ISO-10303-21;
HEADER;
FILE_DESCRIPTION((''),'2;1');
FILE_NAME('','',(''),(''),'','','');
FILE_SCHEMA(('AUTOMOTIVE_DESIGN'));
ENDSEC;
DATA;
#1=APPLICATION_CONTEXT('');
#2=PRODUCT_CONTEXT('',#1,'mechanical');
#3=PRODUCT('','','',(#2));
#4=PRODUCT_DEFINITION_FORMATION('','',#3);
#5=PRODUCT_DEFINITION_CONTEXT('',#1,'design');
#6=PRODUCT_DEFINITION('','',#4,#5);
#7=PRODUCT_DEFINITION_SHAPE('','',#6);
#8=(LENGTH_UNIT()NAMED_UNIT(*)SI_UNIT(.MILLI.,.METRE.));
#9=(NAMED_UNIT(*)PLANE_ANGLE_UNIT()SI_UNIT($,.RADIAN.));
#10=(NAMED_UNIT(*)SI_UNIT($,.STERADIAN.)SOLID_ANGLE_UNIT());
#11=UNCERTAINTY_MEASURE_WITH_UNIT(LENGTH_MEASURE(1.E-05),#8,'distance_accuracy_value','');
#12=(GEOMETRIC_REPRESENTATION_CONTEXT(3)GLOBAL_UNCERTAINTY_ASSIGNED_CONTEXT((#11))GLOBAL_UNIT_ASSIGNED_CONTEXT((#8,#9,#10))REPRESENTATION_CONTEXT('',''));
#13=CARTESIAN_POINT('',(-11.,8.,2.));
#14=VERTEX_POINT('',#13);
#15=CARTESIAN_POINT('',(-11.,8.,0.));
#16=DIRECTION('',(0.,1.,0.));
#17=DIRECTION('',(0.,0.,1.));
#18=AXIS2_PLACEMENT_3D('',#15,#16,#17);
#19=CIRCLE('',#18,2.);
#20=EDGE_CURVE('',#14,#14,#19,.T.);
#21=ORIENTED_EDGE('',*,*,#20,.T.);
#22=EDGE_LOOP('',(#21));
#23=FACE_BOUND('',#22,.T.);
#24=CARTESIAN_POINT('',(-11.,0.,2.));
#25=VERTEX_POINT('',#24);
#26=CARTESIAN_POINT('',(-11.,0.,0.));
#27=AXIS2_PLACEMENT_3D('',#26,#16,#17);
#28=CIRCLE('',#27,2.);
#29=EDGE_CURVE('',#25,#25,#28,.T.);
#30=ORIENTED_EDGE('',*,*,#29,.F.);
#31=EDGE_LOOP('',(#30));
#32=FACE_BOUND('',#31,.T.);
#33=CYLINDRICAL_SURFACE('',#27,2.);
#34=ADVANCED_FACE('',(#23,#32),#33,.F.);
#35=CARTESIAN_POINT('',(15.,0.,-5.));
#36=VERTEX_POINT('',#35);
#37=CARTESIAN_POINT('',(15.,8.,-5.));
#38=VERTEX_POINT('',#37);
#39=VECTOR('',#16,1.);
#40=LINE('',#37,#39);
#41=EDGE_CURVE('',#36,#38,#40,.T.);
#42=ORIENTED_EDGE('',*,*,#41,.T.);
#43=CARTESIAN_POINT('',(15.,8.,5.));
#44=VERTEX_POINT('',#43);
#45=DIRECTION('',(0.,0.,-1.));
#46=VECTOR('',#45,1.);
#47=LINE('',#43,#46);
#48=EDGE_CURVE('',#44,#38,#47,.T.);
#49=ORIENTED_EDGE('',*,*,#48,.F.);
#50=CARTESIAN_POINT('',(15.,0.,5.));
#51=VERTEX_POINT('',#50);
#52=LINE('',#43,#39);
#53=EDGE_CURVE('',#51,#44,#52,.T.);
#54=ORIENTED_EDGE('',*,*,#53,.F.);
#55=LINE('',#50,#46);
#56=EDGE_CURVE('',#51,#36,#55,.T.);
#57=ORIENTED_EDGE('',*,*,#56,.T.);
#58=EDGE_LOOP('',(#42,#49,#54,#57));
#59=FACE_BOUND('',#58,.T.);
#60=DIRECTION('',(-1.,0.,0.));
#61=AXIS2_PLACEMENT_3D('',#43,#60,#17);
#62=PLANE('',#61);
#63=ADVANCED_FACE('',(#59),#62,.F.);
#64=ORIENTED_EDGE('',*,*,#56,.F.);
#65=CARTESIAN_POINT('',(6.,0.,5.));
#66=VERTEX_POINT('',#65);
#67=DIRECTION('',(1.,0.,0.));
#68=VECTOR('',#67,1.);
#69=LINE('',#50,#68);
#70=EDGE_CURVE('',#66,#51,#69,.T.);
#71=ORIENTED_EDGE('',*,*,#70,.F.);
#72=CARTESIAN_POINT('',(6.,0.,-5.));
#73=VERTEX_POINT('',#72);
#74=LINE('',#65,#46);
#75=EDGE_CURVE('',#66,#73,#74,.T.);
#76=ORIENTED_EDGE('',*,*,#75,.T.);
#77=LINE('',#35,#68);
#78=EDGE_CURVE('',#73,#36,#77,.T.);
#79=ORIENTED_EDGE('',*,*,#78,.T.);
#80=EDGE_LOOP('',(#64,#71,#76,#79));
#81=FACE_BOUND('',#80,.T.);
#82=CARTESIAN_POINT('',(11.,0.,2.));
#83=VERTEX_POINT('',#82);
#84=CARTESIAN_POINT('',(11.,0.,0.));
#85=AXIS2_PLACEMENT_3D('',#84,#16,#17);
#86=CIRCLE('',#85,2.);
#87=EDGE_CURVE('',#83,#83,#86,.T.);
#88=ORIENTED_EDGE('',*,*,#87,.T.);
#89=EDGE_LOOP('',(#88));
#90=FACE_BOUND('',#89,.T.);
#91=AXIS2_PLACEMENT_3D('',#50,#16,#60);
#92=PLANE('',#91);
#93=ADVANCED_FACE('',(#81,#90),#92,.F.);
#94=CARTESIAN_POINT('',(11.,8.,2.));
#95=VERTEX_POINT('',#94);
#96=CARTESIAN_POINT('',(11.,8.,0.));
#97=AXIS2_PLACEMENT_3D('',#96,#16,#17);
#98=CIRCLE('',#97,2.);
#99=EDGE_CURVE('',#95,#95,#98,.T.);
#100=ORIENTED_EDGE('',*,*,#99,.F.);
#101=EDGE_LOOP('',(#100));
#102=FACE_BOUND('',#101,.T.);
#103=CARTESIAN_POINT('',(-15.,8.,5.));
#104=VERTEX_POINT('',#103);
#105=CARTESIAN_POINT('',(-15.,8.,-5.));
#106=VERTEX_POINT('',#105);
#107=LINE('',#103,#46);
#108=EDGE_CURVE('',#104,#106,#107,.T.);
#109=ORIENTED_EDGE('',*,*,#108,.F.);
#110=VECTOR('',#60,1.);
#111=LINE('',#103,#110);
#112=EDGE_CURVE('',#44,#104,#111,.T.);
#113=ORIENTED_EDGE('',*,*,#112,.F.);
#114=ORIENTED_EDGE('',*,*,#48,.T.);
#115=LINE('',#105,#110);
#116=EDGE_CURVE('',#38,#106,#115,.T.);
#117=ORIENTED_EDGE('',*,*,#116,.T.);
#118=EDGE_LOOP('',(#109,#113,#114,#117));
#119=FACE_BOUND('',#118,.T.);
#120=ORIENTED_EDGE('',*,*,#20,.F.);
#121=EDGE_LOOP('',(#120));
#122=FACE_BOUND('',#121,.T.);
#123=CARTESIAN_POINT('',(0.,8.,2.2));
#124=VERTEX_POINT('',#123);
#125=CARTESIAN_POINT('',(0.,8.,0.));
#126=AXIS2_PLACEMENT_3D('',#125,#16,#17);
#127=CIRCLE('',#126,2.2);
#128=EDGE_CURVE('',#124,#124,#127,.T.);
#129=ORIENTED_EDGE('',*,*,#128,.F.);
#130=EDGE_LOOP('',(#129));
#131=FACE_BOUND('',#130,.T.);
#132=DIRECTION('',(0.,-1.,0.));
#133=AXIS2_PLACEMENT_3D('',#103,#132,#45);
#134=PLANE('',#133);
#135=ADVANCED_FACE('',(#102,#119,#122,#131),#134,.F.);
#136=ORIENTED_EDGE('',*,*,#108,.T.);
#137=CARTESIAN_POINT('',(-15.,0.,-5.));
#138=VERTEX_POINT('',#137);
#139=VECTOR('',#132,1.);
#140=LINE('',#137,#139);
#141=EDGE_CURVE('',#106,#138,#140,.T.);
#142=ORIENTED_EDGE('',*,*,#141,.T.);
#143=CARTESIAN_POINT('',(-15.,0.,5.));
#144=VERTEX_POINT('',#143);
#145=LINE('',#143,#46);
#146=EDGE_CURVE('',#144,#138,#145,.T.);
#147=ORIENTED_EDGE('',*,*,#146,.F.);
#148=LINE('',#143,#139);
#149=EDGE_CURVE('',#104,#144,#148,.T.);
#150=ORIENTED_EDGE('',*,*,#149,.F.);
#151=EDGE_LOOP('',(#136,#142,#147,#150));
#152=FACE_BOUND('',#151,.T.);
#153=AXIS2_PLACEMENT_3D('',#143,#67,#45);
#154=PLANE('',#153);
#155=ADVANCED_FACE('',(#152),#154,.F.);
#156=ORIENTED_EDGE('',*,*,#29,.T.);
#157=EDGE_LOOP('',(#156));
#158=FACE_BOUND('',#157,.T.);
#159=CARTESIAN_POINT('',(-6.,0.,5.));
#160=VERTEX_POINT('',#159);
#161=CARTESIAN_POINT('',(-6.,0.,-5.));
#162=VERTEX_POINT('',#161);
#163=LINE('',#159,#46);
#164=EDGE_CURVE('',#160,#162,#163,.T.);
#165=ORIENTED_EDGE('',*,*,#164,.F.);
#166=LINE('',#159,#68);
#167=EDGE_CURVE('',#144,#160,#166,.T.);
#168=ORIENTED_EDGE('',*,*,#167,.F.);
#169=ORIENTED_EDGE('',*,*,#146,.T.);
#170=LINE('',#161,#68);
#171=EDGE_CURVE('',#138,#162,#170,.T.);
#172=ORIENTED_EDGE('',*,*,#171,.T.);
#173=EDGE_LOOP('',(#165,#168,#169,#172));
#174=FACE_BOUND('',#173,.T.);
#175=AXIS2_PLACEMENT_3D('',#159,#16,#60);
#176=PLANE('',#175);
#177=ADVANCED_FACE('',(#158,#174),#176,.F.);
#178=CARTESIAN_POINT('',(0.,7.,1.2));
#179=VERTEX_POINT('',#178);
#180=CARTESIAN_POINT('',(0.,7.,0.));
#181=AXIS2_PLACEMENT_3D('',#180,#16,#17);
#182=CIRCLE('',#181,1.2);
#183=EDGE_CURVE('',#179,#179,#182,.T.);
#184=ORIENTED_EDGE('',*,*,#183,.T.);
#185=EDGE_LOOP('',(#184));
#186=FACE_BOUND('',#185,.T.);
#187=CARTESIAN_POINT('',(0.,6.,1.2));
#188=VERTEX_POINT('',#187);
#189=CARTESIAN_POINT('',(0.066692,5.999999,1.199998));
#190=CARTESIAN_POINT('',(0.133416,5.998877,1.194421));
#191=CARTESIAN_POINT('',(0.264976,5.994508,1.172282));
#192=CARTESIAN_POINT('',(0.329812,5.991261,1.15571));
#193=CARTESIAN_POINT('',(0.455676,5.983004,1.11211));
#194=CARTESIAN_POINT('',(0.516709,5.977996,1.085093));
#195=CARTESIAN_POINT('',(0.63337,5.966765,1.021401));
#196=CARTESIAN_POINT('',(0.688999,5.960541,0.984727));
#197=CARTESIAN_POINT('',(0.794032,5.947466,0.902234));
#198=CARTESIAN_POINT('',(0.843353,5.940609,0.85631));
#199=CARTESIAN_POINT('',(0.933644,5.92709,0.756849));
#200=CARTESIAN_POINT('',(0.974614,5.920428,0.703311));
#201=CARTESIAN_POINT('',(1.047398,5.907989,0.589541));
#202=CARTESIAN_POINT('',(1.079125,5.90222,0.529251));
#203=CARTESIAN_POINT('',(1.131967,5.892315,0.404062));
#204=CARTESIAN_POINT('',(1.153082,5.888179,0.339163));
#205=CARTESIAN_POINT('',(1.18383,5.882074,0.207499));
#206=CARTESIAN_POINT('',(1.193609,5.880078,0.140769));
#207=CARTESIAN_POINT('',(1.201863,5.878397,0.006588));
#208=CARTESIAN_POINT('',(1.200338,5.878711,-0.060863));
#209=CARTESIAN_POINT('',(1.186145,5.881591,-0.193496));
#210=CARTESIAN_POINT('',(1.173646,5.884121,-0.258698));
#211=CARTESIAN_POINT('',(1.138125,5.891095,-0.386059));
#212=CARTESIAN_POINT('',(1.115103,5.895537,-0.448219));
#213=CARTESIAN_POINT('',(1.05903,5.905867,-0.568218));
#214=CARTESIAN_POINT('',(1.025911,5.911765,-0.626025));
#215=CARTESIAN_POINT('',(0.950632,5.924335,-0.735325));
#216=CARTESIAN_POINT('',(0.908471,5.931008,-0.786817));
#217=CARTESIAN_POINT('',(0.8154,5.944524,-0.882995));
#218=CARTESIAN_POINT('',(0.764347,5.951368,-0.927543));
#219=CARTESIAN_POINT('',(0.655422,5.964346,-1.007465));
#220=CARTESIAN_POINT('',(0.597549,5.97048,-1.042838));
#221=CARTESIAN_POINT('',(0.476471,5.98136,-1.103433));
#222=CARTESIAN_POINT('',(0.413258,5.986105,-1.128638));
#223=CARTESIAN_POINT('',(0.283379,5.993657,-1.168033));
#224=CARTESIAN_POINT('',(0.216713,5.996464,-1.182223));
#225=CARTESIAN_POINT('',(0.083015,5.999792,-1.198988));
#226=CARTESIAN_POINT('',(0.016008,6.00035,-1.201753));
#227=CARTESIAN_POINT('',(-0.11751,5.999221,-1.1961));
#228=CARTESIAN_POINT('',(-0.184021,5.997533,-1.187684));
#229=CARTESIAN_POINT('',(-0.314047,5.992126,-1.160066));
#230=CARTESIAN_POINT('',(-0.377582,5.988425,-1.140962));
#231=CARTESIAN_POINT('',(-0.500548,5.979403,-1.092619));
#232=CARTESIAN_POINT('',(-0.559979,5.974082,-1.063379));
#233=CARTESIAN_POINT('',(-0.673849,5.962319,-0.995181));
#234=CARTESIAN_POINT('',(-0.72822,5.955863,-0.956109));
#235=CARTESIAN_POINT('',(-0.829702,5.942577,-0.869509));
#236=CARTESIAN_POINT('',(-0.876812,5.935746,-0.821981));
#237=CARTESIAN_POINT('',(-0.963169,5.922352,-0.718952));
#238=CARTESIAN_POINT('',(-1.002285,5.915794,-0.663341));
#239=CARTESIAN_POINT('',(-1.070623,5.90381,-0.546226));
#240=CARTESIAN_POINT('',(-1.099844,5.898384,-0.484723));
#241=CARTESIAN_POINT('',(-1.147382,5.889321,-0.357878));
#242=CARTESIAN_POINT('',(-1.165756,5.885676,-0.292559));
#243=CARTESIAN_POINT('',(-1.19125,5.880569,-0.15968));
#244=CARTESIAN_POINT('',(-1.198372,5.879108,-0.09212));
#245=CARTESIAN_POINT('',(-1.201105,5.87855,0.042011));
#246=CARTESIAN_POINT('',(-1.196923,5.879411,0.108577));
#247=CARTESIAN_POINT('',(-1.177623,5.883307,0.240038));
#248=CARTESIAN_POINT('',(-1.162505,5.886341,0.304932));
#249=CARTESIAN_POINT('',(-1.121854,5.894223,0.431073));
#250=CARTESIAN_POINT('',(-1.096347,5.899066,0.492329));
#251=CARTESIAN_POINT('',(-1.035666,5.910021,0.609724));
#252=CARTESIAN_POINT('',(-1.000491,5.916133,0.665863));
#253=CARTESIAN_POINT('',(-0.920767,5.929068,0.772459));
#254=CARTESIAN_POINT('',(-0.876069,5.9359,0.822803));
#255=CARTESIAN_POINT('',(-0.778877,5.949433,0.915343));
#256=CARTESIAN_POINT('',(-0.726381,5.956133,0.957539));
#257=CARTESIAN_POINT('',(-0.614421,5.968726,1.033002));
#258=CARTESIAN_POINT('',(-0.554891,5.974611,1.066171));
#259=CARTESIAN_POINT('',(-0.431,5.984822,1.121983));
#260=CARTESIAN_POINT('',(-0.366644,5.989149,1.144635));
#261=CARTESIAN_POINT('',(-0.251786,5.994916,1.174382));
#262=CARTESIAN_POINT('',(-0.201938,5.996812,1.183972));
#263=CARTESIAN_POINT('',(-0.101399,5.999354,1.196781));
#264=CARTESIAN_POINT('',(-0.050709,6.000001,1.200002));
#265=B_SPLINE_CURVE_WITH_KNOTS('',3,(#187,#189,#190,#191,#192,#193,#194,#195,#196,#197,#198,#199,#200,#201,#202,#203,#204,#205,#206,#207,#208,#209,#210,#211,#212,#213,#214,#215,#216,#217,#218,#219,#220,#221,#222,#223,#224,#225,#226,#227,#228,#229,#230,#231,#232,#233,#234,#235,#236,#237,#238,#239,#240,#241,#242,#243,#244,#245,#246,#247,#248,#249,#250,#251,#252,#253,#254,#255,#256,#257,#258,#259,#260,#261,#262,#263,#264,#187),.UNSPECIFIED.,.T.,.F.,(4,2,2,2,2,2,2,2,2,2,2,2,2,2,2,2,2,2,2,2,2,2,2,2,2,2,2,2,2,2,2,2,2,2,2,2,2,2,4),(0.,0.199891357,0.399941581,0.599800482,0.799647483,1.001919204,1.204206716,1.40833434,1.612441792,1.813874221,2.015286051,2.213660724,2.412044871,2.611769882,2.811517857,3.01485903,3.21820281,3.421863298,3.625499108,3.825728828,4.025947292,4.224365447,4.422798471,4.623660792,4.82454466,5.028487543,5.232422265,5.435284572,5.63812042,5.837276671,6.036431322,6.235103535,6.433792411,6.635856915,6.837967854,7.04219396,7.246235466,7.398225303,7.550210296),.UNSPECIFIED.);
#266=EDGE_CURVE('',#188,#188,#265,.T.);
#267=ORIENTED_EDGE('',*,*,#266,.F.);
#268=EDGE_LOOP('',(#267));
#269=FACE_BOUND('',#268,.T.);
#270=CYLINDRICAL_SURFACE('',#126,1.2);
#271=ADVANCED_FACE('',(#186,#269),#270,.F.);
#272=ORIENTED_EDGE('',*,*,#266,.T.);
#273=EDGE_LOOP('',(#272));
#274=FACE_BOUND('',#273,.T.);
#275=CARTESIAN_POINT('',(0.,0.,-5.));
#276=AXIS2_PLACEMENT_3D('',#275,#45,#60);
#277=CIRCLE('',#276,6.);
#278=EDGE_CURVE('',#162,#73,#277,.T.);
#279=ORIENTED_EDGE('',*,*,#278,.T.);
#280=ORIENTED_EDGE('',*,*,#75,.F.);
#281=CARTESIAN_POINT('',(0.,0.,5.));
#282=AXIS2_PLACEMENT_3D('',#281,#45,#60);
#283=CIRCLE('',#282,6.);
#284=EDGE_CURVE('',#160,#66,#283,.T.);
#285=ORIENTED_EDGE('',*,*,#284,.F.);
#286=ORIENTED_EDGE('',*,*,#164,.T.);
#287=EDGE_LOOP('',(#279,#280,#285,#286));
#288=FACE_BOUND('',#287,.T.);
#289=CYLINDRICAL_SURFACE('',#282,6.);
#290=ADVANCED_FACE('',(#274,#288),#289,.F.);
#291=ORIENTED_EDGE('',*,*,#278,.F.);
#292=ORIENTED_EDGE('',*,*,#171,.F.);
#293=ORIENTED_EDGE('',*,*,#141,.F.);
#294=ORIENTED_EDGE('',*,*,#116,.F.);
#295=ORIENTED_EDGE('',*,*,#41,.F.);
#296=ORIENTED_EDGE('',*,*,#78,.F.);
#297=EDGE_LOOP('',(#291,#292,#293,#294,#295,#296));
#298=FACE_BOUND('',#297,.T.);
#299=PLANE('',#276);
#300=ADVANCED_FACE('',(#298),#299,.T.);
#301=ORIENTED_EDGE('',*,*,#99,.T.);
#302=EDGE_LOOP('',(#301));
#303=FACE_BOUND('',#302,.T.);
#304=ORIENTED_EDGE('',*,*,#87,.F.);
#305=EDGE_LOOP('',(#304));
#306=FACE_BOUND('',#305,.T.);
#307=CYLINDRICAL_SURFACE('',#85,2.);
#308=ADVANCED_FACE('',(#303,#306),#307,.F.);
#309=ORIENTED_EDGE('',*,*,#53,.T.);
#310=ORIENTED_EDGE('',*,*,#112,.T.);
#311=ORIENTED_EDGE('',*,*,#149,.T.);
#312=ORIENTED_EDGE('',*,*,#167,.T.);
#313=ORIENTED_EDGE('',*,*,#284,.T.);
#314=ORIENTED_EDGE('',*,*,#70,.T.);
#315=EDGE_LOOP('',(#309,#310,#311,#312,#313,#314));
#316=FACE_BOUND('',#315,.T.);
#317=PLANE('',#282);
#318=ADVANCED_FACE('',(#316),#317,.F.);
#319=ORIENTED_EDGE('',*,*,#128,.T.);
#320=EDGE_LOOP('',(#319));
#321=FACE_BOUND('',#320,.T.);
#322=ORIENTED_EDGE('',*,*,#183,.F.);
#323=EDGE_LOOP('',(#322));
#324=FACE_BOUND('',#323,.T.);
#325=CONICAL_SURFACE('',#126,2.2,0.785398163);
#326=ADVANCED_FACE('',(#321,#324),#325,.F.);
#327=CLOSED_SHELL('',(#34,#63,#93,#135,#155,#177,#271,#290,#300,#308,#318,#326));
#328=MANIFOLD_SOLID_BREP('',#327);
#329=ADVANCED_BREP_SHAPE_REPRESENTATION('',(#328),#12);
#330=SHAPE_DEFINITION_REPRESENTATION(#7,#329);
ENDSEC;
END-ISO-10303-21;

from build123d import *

# Parameters (mm, degrees)
BOSS_EXTRUDE1_DEPTH                             = 5
SKETCH2_R                                       = 2
CUT_EXTRUDE1_DEPTH                              = 18.720045147
CSK_FOR_M2_FLAT_HEAD_MACHINE_SCREW1_D           = 2.4
CSK_FOR_M2_FLAT_HEAD_MACHINE_SCREW1_CSINK_D     = 4.4
CSK_FOR_M2_FLAT_HEAD_MACHINE_SCREW1_CSINK_ANGLE = 90


with BuildPart() as part:
    # Sketch1 → Boss-Extrude1 (new, symmetric)
    with BuildSketch(Plane.XY):
        with BuildLine():
            Line((-6, 0), (-15, 0))
            Line((-15, 0), (-15, 8))
            Line((-15, 8), (15, 8))
            Line((15, 8), (15, 0))
            Line((15, 0), (6, 0))
            ThreePointArc((6, 0), (0, 6), (-6, 0))
        make_face()
    extrude(amount=BOSS_EXTRUDE1_DEPTH, both=True)

    # Sketch2 → Cut-Extrude1 (cut, through all)
    with BuildSketch(Plane(origin=(0, 8, 0), x_dir=(1, 0, 0), z_dir=(0, 1, 0))):
        with Locations(Location((-11, 0, 0), (0, 0, 270))):
            Circle(SKETCH2_R)
        with Locations(Location((11, 0, 0), (0, 0, 270))):
            Circle(SKETCH2_R)
    extrude(amount=-CUT_EXTRUDE1_DEPTH, mode=Mode.SUBTRACT)

    # CSK for M2 Flat Head Machine Screw1 (through all)
    with Locations(Plane(origin=(0, 8, 0), x_dir=(1, 0, 0), z_dir=(0, 1, 0))):
        with Locations((0, 0)):
            CounterSinkHole(CSK_FOR_M2_FLAT_HEAD_MACHINE_SCREW1_D / 2, CSK_FOR_M2_FLAT_HEAD_MACHINE_SCREW1_CSINK_D / 2, counter_sink_angle=CSK_FOR_M2_FLAT_HEAD_MACHINE_SCREW1_CSINK_ANGLE)


solid = part.part
